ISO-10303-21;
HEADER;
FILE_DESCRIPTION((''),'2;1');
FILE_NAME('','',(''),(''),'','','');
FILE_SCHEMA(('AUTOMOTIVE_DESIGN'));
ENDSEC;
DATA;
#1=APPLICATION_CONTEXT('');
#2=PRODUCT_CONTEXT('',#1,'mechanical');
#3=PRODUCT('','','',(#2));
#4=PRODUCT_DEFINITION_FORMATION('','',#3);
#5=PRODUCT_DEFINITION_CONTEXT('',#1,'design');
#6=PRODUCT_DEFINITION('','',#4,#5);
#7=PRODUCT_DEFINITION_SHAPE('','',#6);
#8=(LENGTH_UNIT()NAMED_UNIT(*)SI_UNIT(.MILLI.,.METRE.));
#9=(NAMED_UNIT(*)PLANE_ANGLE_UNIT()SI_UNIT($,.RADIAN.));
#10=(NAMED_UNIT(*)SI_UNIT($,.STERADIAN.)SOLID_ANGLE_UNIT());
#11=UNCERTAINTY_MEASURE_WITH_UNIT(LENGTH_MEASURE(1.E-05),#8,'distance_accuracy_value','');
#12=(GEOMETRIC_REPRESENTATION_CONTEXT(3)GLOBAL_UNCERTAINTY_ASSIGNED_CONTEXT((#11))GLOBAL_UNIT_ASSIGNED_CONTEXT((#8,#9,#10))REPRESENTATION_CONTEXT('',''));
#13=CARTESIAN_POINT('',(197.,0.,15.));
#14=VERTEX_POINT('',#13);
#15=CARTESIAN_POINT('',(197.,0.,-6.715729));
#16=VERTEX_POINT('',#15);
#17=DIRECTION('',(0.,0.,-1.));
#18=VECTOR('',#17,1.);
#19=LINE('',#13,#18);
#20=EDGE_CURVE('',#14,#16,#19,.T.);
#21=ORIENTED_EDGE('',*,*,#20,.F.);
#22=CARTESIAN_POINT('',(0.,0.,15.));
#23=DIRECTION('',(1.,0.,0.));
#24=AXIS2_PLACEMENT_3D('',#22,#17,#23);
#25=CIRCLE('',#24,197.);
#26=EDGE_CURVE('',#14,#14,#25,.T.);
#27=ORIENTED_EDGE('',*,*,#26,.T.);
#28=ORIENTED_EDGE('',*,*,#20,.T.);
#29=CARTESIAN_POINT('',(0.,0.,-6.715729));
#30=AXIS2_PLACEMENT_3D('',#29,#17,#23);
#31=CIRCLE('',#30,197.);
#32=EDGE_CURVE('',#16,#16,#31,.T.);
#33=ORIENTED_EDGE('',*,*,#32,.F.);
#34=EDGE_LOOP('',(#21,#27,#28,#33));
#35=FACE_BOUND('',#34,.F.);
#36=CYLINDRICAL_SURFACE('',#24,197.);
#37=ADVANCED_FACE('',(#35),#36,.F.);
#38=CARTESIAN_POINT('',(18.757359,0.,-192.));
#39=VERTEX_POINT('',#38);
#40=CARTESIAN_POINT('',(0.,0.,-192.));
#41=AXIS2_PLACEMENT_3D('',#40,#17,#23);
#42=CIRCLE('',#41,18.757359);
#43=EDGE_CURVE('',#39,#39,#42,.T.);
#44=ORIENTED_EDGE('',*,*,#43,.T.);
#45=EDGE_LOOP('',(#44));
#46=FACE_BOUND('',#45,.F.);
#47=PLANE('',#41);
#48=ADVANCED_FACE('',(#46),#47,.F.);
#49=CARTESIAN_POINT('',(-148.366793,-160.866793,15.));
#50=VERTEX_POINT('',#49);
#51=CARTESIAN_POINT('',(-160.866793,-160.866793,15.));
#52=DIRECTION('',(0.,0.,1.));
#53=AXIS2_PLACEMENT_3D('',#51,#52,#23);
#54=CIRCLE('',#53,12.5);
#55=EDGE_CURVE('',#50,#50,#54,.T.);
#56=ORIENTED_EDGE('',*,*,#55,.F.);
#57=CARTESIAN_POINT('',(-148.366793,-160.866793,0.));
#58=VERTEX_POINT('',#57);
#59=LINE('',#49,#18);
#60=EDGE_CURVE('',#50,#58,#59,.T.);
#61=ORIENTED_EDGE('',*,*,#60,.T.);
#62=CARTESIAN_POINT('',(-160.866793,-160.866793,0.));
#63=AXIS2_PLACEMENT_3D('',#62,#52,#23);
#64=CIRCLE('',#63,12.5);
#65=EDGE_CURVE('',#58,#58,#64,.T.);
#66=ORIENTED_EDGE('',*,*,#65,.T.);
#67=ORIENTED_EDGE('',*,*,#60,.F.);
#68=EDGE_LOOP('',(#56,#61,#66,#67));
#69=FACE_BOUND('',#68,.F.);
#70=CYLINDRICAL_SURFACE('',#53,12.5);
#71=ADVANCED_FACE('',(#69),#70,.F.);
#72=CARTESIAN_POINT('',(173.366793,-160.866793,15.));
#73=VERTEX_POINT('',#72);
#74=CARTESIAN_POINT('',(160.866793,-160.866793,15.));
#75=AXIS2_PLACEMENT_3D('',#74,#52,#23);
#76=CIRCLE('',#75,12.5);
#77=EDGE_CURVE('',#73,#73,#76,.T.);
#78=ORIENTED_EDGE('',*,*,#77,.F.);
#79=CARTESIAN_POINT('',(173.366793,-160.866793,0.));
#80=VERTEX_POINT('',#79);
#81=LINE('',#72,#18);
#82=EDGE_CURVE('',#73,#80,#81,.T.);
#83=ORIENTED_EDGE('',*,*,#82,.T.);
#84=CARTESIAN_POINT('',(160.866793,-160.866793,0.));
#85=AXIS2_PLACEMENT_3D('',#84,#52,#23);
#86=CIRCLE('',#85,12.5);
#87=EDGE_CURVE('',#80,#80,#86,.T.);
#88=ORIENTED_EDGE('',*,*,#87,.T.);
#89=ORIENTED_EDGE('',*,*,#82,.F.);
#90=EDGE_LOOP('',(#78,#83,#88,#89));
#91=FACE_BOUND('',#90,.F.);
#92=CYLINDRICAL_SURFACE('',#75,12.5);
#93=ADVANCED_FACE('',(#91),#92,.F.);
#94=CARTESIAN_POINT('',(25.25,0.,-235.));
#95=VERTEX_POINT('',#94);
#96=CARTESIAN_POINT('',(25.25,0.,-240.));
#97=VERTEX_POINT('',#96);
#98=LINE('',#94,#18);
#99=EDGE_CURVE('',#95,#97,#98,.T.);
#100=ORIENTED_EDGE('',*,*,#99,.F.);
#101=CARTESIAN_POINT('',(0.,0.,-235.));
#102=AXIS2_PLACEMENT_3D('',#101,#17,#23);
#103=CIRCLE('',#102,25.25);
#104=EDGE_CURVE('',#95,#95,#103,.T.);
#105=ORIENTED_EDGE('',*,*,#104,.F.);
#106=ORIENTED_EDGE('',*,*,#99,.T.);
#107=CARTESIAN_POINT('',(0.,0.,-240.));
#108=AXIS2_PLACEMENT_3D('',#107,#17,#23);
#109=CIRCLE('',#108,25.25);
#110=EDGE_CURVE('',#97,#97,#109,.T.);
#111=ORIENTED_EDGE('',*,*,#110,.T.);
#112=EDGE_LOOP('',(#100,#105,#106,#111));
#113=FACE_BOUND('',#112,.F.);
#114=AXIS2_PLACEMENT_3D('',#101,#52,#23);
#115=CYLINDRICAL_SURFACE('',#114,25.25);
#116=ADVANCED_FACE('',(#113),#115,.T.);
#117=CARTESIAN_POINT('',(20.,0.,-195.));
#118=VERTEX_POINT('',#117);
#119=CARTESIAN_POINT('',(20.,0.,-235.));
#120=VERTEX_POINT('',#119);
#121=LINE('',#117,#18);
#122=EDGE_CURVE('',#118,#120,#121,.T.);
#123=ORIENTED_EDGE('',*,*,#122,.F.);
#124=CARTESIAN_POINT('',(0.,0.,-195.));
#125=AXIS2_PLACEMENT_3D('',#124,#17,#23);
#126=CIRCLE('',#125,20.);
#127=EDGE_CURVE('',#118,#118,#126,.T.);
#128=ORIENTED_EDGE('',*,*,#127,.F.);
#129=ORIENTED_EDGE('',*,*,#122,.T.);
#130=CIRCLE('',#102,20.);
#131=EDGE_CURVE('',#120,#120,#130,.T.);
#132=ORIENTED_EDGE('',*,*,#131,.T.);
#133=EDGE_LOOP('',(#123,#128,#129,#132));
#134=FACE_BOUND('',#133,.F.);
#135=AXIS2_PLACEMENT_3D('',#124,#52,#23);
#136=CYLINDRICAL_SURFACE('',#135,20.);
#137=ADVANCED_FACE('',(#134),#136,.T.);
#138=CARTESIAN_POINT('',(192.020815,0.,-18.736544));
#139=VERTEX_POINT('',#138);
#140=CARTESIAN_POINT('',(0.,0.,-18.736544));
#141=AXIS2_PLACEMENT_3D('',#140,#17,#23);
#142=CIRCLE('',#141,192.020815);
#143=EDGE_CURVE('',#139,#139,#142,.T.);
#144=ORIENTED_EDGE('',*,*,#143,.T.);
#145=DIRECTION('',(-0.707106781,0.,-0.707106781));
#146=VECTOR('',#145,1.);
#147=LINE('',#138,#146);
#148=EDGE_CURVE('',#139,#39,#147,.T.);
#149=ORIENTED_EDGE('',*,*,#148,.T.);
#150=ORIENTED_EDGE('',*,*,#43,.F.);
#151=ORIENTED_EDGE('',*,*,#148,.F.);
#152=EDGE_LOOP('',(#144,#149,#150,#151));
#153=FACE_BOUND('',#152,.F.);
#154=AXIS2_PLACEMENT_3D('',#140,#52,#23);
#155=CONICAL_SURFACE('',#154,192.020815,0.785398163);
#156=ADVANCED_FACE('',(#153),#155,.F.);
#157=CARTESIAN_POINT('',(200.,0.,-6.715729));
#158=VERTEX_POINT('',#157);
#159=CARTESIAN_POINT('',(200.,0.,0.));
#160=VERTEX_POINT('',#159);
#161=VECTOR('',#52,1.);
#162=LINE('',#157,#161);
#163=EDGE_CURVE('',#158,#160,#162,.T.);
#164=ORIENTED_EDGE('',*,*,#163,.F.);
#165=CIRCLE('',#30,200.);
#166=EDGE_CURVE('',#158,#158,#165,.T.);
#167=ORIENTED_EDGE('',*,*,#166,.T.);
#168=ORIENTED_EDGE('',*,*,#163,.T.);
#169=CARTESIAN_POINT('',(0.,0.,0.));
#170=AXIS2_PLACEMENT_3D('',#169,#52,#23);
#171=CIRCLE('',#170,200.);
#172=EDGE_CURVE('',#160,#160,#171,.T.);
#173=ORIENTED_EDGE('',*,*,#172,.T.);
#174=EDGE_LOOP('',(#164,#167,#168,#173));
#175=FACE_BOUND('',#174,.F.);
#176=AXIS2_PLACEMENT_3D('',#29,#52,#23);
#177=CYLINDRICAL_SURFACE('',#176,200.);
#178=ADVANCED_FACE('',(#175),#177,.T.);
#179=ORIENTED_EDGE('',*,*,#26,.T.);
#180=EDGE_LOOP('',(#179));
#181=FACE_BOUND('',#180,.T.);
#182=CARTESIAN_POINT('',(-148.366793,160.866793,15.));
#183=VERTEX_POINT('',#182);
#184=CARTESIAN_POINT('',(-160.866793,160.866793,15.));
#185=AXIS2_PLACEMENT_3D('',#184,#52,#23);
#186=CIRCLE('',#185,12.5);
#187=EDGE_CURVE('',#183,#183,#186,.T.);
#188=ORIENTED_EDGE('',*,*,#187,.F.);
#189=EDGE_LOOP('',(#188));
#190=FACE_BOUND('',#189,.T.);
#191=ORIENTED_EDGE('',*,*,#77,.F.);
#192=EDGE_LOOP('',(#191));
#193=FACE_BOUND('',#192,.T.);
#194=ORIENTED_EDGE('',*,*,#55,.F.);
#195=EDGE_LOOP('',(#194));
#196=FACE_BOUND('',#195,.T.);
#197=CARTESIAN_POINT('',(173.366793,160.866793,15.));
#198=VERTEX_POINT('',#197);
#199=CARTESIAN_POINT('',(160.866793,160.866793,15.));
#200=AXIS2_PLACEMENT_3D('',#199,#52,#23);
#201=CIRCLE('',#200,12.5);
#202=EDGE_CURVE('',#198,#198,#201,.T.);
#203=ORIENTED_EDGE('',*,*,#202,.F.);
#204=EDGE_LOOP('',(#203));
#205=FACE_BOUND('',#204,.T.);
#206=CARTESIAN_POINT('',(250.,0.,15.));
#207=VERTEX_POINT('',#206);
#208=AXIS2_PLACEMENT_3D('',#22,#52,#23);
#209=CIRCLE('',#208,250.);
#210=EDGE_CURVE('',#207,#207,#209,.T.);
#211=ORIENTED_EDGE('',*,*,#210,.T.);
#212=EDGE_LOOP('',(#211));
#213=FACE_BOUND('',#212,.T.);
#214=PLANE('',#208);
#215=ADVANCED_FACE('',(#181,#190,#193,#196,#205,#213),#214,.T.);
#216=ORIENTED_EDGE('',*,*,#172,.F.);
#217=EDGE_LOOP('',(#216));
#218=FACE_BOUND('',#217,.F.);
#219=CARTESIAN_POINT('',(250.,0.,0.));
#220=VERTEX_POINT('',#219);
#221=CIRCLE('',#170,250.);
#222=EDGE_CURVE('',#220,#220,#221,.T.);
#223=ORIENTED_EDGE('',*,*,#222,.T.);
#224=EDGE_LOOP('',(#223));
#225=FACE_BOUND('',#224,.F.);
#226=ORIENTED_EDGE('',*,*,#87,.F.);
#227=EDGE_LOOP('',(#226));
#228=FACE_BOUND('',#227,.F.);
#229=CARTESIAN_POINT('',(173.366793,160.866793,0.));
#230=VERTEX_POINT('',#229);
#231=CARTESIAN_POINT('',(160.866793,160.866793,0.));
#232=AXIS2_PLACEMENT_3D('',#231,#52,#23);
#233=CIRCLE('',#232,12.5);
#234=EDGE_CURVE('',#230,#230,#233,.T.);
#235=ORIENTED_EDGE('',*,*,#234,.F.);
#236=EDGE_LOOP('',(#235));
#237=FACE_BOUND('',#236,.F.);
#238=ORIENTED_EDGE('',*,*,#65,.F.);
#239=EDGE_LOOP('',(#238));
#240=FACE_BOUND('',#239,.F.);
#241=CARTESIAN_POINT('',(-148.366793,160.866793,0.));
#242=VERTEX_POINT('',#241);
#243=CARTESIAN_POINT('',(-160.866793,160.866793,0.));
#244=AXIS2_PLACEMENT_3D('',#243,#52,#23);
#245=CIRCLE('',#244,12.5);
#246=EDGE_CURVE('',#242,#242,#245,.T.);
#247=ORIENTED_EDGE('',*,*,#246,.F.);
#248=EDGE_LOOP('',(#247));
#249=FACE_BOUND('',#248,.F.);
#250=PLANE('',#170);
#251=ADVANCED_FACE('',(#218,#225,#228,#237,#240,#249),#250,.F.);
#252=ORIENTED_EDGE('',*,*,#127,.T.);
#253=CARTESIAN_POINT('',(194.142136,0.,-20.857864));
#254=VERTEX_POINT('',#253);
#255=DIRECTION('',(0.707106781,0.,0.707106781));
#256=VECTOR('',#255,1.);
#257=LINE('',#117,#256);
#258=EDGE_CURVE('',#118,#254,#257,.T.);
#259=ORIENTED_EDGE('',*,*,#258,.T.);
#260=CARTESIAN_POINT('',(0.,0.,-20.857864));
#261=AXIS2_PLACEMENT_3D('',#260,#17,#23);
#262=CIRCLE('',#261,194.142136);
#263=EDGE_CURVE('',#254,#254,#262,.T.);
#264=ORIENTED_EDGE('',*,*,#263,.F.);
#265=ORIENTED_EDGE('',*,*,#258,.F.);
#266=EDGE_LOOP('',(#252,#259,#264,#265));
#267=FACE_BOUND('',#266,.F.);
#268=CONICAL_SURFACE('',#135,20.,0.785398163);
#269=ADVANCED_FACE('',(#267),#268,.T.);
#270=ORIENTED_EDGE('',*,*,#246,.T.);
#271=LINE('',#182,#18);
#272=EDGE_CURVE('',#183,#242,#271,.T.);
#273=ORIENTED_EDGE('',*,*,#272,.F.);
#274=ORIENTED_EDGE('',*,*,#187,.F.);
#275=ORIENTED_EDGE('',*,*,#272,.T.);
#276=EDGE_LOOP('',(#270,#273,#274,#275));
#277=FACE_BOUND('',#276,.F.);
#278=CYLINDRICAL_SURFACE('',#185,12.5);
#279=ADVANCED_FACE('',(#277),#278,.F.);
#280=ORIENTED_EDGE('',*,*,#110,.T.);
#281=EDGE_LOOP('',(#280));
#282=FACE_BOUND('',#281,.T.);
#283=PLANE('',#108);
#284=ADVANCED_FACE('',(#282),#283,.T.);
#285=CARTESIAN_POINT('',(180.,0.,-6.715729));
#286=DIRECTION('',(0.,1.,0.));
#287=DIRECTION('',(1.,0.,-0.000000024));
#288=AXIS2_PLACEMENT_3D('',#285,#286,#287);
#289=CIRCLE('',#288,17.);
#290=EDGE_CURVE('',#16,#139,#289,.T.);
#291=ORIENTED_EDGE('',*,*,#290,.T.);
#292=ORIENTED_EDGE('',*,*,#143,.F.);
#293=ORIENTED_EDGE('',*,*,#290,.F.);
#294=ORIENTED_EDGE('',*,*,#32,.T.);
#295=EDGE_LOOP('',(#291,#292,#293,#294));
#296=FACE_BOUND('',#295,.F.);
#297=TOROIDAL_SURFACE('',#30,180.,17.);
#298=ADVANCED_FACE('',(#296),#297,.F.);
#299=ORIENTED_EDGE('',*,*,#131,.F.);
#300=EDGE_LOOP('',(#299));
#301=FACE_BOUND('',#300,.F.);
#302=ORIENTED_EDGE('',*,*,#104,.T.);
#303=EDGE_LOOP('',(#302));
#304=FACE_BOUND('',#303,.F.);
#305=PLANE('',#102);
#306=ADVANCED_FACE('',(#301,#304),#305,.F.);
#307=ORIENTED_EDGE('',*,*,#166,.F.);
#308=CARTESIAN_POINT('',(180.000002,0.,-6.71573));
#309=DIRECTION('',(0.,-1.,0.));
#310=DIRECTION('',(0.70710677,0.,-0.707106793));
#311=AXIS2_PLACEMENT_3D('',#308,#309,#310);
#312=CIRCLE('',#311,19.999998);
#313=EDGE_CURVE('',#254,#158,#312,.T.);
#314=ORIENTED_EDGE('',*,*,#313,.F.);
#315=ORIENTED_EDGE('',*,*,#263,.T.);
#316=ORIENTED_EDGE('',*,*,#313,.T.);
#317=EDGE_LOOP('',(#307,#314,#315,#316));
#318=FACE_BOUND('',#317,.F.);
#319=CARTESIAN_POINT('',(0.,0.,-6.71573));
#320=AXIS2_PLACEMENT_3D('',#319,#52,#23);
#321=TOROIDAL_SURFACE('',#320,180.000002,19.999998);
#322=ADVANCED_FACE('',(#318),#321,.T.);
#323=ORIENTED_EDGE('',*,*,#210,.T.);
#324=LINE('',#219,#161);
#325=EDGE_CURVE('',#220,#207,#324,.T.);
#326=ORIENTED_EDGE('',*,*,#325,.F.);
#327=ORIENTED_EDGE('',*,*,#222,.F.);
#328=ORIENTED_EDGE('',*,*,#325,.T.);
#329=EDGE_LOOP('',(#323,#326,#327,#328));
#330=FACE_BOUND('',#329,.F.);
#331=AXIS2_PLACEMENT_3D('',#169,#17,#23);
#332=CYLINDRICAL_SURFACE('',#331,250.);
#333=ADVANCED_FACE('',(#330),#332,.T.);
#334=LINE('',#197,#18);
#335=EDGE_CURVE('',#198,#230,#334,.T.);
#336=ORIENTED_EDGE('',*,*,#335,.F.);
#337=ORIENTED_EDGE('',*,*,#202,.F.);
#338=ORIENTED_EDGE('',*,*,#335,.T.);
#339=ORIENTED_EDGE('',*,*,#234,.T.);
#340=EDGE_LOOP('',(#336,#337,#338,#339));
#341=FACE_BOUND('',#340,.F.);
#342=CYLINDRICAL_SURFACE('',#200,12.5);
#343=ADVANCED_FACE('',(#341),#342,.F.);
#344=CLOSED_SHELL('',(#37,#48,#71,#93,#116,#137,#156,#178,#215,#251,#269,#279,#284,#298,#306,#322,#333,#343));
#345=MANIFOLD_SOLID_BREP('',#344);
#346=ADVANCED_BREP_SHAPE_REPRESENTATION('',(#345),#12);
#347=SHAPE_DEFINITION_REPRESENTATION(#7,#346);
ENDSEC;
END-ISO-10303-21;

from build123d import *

# Parameters (mm, degrees)
F0_R      = 250
F0_R_2    = 200
F1_DEPTH  = 15
F5_R      = 20
F6_DEPTH  = 40
F7_R      = 25.25
F8_DEPTH  = 5
F9_R      = 12.5
F10_DEPTH = 15


with BuildPart() as f1:
    # F0 (on Top) → F1 (new body)
    with BuildSketch(Plane.XY):
        Circle(F0_R)
        Circle(F0_R_2, mode=Mode.SUBTRACT)
    extrude(amount=F1_DEPTH)

    # F2 (on Front) → F3 (revolve)
    with BuildSketch(Plane.XZ):
        with BuildLine():
            Line((200, -6.715729), (200, 15))
            Line((200, 15), (197, 15))
            Line((197, 15), (197, -6.715729))
            ThreePointArc((197, -6.715729), (195.705952, -13.221347), (192.020815, -18.736544))
            Line((192.020815, -18.736544), (18.757359, -192))
            Line((18.757359, -192), (0, -192))
            Line((0, -192), (0, -195))
            Line((0, -195), (20, -195))
            Line((20, -195), (194.142136, -20.857864))
            ThreePointArc((194.142136, -20.857864), (198.477591, -14.369397), (200, -6.715729))
        make_face()
    revolve(axis=Axis((0, 0, -193.5), (0, 0, -1)))

    # F5 (on face) → F6 (join)
    with BuildSketch(Plane(origin=(0, 0, -195), x_dir=(1, 0, 0), z_dir=(0, 0, -1))):
        Circle(F5_R)
    extrude(amount=F6_DEPTH)

    # F7 (on face) → F8 (join)
    with BuildSketch(Plane(origin=(0, 0, -235), x_dir=(1, 0, 0), z_dir=(0, 0, -1))):
        Circle(F7_R)
    extrude(amount=F8_DEPTH)

    # F9 (on face) → F10 (cut)
    with BuildSketch(Plane.XY.offset(15)):
        with Locations((160.866793, 160.866793)):
            Circle(F9_R)
        with Locations((-160.866793, 160.866793)):
            Circle(F9_R)
        with Locations((-160.866793, -160.866793)):
            Circle(F9_R)
        with Locations((160.866793, -160.866793)):
            Circle(F9_R)
    extrude(amount=-F10_DEPTH, mode=Mode.SUBTRACT)


solid = f1.part
